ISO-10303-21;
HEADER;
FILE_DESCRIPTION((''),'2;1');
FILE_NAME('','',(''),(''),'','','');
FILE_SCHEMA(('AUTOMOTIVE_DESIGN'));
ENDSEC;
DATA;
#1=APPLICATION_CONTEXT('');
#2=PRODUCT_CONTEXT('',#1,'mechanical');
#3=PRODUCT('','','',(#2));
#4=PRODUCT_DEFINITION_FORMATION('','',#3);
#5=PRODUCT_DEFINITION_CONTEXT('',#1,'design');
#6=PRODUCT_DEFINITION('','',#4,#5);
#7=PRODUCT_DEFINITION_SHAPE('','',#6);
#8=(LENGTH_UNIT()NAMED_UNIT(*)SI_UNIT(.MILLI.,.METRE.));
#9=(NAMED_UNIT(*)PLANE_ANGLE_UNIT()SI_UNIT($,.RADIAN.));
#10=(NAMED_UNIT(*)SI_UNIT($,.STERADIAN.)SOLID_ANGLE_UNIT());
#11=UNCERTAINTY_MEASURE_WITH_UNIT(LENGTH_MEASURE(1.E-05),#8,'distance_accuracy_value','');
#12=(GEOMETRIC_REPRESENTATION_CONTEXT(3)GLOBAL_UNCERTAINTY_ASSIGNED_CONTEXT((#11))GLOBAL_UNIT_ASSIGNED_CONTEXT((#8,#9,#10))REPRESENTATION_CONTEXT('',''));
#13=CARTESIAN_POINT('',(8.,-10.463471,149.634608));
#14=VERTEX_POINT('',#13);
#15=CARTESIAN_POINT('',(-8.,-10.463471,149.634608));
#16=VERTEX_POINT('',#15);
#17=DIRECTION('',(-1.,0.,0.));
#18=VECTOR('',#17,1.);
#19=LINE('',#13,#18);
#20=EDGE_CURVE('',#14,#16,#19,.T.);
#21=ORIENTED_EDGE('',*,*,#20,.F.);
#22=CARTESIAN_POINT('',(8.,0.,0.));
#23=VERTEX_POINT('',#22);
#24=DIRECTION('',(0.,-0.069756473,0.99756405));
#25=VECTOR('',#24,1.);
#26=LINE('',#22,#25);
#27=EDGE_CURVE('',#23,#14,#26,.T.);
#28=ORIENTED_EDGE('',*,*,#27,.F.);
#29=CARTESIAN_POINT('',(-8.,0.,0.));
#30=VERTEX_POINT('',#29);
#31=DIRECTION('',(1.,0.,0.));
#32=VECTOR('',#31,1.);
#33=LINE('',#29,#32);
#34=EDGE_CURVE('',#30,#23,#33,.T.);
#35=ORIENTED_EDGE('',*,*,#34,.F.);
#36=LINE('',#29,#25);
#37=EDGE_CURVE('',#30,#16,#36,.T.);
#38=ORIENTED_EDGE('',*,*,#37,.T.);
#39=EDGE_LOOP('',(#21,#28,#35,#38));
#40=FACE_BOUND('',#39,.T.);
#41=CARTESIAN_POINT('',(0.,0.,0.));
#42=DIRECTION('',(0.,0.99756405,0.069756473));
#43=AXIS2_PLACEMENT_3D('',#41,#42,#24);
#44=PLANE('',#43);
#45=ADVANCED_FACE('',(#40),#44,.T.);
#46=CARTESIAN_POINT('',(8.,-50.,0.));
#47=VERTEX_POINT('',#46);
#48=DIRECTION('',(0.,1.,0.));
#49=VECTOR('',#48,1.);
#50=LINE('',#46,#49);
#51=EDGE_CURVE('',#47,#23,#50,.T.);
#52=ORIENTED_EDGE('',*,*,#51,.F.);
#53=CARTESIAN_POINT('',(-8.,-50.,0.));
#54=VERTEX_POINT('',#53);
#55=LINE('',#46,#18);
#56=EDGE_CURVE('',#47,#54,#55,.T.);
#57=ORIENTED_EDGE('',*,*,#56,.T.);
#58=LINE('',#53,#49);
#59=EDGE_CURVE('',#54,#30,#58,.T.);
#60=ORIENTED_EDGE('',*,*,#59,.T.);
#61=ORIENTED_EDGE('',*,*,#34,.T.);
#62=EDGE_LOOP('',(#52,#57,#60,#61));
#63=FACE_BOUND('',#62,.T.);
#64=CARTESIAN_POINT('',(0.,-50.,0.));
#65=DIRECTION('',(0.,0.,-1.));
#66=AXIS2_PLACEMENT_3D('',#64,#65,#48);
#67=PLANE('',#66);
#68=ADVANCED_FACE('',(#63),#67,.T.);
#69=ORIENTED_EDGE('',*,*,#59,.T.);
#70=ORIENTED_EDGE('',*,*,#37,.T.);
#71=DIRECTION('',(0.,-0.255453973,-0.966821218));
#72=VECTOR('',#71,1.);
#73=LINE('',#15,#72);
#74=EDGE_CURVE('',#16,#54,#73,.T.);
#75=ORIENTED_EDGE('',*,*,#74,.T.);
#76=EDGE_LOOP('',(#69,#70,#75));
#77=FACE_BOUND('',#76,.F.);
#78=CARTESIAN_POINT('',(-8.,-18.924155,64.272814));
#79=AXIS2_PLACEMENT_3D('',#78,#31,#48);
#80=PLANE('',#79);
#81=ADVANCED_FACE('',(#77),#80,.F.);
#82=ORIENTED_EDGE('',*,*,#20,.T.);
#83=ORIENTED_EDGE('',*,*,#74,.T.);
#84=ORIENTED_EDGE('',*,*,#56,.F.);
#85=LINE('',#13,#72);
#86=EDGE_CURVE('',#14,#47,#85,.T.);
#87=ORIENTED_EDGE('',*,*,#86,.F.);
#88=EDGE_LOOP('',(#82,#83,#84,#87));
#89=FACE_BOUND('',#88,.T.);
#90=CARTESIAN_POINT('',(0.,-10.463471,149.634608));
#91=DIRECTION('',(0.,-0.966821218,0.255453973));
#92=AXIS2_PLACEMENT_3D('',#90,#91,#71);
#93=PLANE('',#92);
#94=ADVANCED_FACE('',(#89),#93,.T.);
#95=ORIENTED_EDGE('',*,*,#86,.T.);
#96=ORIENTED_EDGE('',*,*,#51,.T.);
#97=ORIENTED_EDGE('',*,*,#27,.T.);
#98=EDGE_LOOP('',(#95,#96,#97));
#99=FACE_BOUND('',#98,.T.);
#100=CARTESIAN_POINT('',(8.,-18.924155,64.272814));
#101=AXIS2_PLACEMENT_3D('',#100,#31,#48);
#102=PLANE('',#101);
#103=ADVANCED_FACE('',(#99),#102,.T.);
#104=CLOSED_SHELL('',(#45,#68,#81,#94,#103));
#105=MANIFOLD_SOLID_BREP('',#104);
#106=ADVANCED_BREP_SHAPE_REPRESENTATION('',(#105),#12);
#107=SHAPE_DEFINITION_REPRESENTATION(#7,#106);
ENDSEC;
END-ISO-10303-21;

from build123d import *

# Parameters (mm, degrees)
F1_DEPTH = 8


with BuildPart() as f1:
    # F0 (on Right) → F1 (new body, symmetric)
    with BuildSketch(Plane.YZ):
        Polygon((-50, 0), (0, 0), (-10.463471, 149.634608), align=None)
    extrude(amount=F1_DEPTH, both=True)


solid = f1.part
